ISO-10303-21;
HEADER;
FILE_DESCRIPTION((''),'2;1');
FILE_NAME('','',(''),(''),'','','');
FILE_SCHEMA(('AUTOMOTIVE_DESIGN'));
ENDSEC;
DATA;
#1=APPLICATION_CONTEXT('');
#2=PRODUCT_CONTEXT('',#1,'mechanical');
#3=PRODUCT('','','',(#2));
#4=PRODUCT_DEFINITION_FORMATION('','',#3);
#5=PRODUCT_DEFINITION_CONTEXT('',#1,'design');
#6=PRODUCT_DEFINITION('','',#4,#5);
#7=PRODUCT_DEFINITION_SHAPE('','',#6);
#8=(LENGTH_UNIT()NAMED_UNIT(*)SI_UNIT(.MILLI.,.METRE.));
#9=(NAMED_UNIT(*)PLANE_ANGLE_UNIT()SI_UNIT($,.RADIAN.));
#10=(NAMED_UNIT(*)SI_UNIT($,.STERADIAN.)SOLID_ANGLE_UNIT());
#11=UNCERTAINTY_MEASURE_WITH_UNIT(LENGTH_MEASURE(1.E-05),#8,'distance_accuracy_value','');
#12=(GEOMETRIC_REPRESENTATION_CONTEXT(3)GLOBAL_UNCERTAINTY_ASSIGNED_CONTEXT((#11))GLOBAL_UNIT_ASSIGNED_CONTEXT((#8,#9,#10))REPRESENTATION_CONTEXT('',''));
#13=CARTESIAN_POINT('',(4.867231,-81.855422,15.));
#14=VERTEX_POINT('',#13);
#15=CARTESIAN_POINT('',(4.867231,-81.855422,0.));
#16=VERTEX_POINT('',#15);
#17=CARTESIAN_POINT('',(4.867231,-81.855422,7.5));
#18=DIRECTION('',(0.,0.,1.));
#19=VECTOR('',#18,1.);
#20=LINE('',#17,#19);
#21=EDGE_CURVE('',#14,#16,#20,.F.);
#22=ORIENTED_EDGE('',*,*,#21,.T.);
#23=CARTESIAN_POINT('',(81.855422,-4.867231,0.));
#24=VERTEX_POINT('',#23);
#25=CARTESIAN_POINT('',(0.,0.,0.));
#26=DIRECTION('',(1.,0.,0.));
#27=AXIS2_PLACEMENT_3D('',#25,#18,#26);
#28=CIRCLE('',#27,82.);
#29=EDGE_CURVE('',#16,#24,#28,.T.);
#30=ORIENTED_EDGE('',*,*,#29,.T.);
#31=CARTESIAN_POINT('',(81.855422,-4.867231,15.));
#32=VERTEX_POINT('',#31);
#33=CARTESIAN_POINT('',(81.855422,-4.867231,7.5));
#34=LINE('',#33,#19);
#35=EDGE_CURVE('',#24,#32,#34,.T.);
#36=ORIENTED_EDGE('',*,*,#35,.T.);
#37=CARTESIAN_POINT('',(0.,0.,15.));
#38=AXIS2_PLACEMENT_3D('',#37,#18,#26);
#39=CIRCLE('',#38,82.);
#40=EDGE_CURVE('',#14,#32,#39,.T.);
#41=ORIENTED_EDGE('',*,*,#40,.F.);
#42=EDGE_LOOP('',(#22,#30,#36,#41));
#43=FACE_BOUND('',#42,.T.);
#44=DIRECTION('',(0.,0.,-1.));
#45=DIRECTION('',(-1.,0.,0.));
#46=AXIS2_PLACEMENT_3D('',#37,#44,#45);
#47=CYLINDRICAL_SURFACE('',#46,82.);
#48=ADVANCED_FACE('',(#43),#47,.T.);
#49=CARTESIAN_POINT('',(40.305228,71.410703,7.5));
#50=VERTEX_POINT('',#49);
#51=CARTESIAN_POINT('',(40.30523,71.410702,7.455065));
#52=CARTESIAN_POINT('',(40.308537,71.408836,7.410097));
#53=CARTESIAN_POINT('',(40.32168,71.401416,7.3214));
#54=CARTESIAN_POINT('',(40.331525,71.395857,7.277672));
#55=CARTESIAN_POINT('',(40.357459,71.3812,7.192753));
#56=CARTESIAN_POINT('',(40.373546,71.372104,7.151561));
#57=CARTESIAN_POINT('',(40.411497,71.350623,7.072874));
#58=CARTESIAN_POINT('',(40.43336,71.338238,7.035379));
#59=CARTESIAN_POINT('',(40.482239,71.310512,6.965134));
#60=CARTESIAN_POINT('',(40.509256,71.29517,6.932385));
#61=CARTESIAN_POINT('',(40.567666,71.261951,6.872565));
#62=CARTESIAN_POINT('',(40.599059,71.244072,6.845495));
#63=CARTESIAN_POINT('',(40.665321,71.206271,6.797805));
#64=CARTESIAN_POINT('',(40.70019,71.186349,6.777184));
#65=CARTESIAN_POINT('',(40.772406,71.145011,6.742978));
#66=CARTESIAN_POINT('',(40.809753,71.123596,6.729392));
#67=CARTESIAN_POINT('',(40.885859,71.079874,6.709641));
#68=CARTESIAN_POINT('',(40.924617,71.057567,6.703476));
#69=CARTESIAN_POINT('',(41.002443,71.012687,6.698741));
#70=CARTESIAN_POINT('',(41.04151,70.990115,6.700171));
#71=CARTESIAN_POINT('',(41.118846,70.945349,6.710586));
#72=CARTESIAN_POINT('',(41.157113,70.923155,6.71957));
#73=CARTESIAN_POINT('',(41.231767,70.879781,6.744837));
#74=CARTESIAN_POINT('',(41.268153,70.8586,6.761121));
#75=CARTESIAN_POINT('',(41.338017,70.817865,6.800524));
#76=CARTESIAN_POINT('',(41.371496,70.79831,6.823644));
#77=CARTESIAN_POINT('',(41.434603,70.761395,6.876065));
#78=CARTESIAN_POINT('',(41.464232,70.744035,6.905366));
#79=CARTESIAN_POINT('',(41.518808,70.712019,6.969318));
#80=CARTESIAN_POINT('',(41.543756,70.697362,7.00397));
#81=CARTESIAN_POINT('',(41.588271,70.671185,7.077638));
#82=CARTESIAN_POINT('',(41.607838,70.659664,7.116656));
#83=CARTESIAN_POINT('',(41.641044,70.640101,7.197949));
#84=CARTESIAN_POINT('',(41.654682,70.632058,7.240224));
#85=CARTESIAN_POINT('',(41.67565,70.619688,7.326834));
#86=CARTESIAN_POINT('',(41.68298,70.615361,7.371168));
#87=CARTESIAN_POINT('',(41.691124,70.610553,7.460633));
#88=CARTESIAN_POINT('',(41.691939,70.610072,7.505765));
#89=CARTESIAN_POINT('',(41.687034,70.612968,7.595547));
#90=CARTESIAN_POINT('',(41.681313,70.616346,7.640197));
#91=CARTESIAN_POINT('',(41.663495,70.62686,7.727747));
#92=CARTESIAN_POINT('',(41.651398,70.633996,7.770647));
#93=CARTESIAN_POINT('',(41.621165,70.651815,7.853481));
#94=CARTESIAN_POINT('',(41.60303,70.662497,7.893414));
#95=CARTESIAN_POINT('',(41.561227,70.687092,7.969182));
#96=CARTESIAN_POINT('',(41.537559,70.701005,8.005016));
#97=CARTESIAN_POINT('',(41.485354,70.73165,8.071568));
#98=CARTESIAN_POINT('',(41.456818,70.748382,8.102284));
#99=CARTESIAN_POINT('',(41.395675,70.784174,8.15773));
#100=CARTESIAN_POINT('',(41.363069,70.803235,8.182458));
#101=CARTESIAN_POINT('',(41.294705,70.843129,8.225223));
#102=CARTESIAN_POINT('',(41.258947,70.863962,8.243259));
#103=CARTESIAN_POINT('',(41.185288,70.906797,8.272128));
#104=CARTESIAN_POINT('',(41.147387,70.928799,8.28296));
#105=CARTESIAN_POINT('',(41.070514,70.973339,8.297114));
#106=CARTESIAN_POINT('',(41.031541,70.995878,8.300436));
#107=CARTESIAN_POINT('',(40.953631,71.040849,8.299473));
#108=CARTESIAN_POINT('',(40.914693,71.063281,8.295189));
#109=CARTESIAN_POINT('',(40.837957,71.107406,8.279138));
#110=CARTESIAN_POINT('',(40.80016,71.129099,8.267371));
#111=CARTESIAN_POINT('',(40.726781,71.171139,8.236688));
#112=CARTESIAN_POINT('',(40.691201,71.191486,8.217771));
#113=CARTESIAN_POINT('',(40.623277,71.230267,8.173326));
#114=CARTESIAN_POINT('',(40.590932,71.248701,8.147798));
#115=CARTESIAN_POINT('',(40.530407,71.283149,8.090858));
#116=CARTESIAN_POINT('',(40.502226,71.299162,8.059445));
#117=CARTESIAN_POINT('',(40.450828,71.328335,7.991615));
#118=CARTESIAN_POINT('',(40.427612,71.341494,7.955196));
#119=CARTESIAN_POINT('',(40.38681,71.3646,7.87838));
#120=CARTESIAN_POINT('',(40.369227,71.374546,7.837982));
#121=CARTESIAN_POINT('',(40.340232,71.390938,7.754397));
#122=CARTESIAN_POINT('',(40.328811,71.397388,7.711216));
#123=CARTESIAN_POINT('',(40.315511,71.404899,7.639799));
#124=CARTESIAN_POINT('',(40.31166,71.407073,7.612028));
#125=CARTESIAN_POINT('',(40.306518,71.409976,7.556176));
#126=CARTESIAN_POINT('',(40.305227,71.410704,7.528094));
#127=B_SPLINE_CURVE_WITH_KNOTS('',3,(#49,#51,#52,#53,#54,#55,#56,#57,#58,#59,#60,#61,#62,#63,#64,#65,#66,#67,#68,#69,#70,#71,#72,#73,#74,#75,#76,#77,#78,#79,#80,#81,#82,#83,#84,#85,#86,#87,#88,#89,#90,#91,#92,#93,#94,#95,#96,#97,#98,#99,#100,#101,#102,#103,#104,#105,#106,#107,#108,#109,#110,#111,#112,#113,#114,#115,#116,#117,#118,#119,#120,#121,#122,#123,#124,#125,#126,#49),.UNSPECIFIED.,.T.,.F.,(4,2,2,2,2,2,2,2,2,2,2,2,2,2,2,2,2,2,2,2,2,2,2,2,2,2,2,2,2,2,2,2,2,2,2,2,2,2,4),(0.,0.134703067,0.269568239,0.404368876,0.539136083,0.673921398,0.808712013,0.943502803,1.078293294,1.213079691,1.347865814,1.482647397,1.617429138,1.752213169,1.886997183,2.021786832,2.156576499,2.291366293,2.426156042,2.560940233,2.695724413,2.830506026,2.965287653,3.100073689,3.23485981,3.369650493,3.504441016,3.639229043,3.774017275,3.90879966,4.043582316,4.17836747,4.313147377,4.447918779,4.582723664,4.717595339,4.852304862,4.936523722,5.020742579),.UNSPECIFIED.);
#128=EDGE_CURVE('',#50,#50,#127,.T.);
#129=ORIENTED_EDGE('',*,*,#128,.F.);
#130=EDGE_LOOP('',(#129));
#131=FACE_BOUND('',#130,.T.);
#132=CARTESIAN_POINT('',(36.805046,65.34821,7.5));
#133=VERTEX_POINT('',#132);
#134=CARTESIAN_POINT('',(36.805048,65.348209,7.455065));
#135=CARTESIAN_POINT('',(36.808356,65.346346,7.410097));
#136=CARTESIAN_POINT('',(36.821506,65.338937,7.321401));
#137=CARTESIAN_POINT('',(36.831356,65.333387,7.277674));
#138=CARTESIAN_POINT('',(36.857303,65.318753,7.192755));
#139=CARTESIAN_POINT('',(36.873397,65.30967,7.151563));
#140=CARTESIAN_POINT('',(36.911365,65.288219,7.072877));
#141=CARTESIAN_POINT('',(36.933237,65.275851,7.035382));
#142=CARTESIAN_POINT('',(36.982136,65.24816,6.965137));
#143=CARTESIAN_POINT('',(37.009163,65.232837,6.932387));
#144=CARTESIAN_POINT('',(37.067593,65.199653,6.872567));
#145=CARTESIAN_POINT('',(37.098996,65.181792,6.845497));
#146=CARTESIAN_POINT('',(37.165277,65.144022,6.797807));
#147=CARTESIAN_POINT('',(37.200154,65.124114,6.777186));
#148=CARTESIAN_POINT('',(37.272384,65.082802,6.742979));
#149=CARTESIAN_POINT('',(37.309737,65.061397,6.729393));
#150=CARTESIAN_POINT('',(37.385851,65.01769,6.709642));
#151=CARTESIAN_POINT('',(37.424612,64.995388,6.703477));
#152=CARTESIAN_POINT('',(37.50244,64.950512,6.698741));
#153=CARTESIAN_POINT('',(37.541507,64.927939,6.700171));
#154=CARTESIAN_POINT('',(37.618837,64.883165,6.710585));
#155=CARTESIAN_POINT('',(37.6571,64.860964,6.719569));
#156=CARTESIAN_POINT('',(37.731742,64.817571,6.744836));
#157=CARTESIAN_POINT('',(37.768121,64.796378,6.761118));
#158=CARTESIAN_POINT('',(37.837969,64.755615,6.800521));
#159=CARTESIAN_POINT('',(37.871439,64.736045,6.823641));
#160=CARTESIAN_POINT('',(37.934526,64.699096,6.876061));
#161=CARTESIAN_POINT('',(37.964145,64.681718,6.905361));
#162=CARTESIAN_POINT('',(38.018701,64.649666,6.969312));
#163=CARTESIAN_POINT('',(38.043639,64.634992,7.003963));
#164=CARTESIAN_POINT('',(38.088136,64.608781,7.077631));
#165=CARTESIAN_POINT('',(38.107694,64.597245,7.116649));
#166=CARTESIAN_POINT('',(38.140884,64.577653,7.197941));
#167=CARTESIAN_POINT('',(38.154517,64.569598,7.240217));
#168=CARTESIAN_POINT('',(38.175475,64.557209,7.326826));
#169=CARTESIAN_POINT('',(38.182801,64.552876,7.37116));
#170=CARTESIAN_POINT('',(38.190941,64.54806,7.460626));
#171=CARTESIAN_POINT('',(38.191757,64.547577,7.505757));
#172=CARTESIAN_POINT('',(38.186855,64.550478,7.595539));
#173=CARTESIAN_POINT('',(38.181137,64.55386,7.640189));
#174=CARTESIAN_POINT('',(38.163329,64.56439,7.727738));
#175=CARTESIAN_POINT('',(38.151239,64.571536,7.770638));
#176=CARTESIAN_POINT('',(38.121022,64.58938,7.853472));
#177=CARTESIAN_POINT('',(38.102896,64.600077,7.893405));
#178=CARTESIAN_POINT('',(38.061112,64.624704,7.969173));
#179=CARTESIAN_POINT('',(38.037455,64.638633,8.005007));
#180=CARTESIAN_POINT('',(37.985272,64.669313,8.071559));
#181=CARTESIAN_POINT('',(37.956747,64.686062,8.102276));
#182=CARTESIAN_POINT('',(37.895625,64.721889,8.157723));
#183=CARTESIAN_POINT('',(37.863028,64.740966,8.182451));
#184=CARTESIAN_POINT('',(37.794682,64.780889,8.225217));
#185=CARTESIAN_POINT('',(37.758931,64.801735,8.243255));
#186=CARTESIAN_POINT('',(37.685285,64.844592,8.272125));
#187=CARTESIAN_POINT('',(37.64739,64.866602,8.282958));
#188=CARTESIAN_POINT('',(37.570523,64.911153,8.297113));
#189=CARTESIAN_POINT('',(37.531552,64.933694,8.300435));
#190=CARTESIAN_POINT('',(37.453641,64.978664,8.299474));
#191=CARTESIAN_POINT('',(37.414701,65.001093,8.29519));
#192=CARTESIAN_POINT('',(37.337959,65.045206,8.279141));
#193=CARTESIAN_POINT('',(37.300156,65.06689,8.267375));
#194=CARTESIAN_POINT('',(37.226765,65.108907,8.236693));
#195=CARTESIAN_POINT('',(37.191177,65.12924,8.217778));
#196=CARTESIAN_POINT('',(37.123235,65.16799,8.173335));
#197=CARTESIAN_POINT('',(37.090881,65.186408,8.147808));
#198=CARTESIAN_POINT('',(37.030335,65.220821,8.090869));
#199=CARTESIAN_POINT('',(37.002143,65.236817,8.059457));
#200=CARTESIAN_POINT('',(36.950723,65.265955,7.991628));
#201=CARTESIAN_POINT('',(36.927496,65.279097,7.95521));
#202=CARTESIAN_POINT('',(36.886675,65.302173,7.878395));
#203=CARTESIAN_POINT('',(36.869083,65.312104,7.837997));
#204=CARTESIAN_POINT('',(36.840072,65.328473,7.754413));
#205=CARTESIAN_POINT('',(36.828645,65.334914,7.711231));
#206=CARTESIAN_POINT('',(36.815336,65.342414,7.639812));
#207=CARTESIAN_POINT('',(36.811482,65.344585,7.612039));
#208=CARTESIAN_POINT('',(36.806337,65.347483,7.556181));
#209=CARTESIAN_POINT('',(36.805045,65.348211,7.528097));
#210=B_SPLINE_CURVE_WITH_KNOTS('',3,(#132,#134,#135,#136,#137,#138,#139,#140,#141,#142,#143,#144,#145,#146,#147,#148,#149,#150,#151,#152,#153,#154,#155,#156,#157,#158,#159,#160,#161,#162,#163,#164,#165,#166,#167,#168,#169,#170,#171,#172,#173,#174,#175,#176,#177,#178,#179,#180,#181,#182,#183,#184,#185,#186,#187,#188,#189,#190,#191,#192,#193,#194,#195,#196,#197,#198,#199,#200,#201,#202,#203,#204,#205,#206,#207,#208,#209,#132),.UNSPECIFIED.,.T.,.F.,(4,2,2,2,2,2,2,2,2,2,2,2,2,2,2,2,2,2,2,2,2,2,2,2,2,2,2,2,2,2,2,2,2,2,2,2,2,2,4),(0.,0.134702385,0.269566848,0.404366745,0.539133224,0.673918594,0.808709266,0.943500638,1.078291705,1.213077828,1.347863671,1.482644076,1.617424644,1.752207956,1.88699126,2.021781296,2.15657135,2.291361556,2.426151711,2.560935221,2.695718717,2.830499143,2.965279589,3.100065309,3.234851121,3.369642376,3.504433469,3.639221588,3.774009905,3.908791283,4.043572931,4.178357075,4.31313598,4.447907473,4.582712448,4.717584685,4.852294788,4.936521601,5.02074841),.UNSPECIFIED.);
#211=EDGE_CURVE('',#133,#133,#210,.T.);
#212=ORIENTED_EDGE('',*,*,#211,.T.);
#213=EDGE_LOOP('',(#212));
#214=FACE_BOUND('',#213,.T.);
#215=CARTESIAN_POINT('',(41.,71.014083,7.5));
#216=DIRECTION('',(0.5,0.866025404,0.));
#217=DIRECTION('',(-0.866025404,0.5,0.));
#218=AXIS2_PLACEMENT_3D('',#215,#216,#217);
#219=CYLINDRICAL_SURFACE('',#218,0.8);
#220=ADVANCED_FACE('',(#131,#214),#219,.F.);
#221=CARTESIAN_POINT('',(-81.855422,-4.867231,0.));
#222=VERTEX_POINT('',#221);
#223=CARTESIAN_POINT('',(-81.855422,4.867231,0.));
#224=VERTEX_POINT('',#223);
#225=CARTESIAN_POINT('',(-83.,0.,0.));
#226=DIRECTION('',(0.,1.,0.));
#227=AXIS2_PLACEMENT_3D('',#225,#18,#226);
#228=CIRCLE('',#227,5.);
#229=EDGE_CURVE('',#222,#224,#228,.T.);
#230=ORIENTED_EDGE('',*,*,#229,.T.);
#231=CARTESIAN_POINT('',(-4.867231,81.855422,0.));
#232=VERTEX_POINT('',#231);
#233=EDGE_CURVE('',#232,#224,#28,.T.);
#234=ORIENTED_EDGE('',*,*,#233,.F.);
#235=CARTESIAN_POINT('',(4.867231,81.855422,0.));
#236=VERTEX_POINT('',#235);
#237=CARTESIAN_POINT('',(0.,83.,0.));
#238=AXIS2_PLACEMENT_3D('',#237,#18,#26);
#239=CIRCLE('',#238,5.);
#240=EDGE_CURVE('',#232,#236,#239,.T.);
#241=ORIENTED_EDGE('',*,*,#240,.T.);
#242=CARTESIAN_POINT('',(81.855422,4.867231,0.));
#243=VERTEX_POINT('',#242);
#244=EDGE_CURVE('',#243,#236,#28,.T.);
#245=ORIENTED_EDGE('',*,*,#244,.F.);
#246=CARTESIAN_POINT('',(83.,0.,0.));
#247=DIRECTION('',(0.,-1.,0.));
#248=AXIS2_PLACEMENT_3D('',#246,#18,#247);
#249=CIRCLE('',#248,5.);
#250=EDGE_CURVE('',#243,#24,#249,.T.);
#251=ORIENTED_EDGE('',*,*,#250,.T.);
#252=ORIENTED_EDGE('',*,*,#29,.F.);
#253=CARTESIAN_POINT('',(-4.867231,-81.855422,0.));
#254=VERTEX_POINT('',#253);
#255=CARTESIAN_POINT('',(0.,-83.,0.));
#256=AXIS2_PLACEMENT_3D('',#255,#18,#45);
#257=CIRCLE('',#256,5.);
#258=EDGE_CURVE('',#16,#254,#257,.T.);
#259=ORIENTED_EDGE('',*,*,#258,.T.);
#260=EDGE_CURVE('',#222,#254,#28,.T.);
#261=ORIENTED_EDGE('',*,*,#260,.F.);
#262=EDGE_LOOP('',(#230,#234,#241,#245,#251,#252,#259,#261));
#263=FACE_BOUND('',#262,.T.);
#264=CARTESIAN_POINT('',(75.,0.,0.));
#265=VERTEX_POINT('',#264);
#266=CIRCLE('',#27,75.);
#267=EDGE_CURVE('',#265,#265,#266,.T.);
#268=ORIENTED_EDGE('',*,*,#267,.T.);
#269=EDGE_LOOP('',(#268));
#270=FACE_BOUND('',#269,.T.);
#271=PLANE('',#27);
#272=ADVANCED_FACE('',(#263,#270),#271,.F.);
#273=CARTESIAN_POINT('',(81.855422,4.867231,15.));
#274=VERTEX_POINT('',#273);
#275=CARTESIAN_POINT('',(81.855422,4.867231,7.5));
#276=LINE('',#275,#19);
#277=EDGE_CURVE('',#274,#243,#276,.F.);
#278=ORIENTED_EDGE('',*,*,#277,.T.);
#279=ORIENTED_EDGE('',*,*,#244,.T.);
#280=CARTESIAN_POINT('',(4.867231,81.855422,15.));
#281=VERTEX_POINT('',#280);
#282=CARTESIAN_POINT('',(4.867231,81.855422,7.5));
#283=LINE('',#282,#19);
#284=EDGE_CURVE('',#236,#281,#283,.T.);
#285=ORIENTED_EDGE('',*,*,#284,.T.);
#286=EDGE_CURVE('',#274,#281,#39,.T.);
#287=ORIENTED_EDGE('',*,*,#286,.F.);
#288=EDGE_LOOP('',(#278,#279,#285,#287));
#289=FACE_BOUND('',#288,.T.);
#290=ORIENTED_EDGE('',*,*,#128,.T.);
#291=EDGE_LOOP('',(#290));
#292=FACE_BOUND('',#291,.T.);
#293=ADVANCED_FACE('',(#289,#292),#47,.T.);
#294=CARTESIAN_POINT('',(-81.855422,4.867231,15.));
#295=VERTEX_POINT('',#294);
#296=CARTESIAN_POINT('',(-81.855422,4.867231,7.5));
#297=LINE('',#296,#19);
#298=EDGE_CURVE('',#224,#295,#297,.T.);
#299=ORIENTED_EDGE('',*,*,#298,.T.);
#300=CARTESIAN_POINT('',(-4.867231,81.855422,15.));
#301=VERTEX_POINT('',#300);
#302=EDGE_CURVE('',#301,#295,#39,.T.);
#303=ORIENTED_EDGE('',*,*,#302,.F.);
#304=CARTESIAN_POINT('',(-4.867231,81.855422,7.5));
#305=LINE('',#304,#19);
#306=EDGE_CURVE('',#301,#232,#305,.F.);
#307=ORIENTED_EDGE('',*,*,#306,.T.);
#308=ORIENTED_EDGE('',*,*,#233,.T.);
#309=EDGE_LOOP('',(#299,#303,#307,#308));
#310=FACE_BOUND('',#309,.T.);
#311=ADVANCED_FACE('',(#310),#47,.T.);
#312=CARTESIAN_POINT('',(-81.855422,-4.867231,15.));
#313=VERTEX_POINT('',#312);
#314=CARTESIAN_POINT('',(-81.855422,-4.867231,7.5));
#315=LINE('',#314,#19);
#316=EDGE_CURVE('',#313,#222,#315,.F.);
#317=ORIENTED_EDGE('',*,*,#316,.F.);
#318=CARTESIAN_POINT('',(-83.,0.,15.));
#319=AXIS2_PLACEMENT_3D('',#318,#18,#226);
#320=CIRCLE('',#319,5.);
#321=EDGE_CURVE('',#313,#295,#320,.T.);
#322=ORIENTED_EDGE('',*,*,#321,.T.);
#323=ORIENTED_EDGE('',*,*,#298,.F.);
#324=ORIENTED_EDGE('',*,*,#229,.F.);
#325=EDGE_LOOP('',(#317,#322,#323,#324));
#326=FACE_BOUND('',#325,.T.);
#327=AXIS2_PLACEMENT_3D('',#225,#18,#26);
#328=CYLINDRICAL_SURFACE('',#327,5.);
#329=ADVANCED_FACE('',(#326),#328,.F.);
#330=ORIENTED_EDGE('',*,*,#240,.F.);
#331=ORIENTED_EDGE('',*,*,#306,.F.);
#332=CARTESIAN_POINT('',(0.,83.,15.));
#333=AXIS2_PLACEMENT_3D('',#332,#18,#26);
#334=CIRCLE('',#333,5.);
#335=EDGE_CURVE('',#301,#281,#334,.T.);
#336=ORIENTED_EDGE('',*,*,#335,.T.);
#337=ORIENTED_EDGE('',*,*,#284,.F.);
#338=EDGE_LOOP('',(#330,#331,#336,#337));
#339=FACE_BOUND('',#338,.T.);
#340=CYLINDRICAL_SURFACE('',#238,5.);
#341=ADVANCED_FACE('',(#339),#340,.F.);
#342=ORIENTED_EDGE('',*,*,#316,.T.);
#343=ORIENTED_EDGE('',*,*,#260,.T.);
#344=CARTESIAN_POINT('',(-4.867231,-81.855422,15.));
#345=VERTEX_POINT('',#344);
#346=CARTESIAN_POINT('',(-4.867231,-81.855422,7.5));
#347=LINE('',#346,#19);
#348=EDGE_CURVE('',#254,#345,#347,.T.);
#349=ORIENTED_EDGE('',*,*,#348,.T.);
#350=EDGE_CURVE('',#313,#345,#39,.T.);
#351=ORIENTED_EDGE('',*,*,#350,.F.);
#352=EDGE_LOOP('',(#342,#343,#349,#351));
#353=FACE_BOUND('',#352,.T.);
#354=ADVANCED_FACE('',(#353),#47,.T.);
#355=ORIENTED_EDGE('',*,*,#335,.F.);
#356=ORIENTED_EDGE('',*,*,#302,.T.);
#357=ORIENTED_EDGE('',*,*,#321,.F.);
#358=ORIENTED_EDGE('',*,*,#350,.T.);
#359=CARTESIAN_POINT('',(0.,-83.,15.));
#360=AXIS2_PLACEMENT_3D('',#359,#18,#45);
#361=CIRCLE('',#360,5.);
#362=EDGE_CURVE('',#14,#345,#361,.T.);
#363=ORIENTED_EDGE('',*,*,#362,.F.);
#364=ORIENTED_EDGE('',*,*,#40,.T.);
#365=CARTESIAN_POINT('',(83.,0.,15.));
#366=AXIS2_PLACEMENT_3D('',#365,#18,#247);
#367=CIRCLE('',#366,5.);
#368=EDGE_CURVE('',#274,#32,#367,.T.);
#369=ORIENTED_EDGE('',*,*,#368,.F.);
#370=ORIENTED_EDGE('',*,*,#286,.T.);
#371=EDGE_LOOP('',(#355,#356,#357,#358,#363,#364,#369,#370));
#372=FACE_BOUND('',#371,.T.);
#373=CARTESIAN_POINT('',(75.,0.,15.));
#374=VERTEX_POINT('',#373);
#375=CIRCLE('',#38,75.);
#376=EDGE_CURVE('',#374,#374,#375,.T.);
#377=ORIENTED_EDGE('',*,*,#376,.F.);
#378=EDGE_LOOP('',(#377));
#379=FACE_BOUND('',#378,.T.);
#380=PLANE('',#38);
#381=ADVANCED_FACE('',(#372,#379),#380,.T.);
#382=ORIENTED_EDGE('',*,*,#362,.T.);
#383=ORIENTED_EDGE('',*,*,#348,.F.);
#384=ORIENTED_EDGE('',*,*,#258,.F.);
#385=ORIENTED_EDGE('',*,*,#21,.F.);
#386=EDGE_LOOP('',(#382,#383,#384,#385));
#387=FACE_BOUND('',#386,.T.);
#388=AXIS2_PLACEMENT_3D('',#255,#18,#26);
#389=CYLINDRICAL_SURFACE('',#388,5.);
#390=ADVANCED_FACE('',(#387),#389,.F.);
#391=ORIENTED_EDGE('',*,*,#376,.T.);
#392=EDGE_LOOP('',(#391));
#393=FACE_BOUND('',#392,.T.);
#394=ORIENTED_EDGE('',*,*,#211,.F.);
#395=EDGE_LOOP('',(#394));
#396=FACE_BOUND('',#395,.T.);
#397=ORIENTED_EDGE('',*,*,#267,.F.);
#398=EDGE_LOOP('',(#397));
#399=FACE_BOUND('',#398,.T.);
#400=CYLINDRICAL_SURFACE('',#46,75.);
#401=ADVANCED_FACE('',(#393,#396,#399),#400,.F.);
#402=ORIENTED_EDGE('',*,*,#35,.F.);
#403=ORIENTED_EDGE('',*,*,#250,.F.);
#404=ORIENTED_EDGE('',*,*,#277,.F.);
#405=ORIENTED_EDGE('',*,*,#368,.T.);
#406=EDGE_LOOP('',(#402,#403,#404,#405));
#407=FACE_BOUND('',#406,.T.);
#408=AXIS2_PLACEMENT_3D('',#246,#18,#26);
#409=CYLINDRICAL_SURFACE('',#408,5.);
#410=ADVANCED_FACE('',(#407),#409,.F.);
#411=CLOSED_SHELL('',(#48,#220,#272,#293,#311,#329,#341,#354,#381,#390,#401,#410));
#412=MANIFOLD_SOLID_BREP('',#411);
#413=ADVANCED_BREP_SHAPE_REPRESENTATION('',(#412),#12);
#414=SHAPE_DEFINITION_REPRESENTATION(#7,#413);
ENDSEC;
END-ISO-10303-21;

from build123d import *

# Parameters (mm, degrees)
SKETCH1_R                 = 82
SKETCH1_R_2               = 75
BOSS_EXTRUDE1_DEPTH       = 15
SKETCH2_R                 = 5
CUT_EXTRUDE1_DEPTH        = 117.93160394
CIRPATTERN1_COUNT         = 4
M2X0_4_TAPPED_HOLE1_D     = 1.6
M2X0_4_TAPPED_HOLE1_DEPTH = 10
M2X0_4_TAPPED_HOLE1_TIP   = 0.480688495


with BuildPart() as part:
    # Sketch1 → Boss-Extrude1 (new body)
    with BuildSketch(Plane.XY):
        Circle(SKETCH1_R)
        Circle(SKETCH1_R_2, mode=Mode.SUBTRACT)
    extrude(amount=BOSS_EXTRUDE1_DEPTH)

    # Sketch2 → Cut-Extrude1 (cut, through all)
    with BuildSketch(Plane.XY.offset(15)):
        with Locations((0, 83)):
            Circle(SKETCH2_R)
    cut_extrude1 = extrude(amount=-CUT_EXTRUDE1_DEPTH, mode=Mode.SUBTRACT)

    # CirPattern1: Cut-Extrude1 ×4 about axis
    cirpattern1_axis = Axis((0, 0, 0), (0, 0, 1))
    for i in range(1, CIRPATTERN1_COUNT):
        add(cut_extrude1.rotate(cirpattern1_axis, i * 360 / CIRPATTERN1_COUNT), mode=Mode.SUBTRACT)

    # M2x0.4 Tapped Hole1
    with Locations(Plane(origin=(41, 71.01408311, 7.5), x_dir=(0.866025403784, -0.5, 0), z_dir=(0.5, 0.866025403784, 0))):
        with Locations((0, 0)):
            Hole(M2X0_4_TAPPED_HOLE1_D / 2, depth=M2X0_4_TAPPED_HOLE1_DEPTH)
            with Locations((0, 0, -(M2X0_4_TAPPED_HOLE1_DEPTH + M2X0_4_TAPPED_HOLE1_TIP / 2))):  # 118° drill point
                Cone(0, M2X0_4_TAPPED_HOLE1_D / 2, M2X0_4_TAPPED_HOLE1_TIP, mode=Mode.SUBTRACT)


solid = part.part
